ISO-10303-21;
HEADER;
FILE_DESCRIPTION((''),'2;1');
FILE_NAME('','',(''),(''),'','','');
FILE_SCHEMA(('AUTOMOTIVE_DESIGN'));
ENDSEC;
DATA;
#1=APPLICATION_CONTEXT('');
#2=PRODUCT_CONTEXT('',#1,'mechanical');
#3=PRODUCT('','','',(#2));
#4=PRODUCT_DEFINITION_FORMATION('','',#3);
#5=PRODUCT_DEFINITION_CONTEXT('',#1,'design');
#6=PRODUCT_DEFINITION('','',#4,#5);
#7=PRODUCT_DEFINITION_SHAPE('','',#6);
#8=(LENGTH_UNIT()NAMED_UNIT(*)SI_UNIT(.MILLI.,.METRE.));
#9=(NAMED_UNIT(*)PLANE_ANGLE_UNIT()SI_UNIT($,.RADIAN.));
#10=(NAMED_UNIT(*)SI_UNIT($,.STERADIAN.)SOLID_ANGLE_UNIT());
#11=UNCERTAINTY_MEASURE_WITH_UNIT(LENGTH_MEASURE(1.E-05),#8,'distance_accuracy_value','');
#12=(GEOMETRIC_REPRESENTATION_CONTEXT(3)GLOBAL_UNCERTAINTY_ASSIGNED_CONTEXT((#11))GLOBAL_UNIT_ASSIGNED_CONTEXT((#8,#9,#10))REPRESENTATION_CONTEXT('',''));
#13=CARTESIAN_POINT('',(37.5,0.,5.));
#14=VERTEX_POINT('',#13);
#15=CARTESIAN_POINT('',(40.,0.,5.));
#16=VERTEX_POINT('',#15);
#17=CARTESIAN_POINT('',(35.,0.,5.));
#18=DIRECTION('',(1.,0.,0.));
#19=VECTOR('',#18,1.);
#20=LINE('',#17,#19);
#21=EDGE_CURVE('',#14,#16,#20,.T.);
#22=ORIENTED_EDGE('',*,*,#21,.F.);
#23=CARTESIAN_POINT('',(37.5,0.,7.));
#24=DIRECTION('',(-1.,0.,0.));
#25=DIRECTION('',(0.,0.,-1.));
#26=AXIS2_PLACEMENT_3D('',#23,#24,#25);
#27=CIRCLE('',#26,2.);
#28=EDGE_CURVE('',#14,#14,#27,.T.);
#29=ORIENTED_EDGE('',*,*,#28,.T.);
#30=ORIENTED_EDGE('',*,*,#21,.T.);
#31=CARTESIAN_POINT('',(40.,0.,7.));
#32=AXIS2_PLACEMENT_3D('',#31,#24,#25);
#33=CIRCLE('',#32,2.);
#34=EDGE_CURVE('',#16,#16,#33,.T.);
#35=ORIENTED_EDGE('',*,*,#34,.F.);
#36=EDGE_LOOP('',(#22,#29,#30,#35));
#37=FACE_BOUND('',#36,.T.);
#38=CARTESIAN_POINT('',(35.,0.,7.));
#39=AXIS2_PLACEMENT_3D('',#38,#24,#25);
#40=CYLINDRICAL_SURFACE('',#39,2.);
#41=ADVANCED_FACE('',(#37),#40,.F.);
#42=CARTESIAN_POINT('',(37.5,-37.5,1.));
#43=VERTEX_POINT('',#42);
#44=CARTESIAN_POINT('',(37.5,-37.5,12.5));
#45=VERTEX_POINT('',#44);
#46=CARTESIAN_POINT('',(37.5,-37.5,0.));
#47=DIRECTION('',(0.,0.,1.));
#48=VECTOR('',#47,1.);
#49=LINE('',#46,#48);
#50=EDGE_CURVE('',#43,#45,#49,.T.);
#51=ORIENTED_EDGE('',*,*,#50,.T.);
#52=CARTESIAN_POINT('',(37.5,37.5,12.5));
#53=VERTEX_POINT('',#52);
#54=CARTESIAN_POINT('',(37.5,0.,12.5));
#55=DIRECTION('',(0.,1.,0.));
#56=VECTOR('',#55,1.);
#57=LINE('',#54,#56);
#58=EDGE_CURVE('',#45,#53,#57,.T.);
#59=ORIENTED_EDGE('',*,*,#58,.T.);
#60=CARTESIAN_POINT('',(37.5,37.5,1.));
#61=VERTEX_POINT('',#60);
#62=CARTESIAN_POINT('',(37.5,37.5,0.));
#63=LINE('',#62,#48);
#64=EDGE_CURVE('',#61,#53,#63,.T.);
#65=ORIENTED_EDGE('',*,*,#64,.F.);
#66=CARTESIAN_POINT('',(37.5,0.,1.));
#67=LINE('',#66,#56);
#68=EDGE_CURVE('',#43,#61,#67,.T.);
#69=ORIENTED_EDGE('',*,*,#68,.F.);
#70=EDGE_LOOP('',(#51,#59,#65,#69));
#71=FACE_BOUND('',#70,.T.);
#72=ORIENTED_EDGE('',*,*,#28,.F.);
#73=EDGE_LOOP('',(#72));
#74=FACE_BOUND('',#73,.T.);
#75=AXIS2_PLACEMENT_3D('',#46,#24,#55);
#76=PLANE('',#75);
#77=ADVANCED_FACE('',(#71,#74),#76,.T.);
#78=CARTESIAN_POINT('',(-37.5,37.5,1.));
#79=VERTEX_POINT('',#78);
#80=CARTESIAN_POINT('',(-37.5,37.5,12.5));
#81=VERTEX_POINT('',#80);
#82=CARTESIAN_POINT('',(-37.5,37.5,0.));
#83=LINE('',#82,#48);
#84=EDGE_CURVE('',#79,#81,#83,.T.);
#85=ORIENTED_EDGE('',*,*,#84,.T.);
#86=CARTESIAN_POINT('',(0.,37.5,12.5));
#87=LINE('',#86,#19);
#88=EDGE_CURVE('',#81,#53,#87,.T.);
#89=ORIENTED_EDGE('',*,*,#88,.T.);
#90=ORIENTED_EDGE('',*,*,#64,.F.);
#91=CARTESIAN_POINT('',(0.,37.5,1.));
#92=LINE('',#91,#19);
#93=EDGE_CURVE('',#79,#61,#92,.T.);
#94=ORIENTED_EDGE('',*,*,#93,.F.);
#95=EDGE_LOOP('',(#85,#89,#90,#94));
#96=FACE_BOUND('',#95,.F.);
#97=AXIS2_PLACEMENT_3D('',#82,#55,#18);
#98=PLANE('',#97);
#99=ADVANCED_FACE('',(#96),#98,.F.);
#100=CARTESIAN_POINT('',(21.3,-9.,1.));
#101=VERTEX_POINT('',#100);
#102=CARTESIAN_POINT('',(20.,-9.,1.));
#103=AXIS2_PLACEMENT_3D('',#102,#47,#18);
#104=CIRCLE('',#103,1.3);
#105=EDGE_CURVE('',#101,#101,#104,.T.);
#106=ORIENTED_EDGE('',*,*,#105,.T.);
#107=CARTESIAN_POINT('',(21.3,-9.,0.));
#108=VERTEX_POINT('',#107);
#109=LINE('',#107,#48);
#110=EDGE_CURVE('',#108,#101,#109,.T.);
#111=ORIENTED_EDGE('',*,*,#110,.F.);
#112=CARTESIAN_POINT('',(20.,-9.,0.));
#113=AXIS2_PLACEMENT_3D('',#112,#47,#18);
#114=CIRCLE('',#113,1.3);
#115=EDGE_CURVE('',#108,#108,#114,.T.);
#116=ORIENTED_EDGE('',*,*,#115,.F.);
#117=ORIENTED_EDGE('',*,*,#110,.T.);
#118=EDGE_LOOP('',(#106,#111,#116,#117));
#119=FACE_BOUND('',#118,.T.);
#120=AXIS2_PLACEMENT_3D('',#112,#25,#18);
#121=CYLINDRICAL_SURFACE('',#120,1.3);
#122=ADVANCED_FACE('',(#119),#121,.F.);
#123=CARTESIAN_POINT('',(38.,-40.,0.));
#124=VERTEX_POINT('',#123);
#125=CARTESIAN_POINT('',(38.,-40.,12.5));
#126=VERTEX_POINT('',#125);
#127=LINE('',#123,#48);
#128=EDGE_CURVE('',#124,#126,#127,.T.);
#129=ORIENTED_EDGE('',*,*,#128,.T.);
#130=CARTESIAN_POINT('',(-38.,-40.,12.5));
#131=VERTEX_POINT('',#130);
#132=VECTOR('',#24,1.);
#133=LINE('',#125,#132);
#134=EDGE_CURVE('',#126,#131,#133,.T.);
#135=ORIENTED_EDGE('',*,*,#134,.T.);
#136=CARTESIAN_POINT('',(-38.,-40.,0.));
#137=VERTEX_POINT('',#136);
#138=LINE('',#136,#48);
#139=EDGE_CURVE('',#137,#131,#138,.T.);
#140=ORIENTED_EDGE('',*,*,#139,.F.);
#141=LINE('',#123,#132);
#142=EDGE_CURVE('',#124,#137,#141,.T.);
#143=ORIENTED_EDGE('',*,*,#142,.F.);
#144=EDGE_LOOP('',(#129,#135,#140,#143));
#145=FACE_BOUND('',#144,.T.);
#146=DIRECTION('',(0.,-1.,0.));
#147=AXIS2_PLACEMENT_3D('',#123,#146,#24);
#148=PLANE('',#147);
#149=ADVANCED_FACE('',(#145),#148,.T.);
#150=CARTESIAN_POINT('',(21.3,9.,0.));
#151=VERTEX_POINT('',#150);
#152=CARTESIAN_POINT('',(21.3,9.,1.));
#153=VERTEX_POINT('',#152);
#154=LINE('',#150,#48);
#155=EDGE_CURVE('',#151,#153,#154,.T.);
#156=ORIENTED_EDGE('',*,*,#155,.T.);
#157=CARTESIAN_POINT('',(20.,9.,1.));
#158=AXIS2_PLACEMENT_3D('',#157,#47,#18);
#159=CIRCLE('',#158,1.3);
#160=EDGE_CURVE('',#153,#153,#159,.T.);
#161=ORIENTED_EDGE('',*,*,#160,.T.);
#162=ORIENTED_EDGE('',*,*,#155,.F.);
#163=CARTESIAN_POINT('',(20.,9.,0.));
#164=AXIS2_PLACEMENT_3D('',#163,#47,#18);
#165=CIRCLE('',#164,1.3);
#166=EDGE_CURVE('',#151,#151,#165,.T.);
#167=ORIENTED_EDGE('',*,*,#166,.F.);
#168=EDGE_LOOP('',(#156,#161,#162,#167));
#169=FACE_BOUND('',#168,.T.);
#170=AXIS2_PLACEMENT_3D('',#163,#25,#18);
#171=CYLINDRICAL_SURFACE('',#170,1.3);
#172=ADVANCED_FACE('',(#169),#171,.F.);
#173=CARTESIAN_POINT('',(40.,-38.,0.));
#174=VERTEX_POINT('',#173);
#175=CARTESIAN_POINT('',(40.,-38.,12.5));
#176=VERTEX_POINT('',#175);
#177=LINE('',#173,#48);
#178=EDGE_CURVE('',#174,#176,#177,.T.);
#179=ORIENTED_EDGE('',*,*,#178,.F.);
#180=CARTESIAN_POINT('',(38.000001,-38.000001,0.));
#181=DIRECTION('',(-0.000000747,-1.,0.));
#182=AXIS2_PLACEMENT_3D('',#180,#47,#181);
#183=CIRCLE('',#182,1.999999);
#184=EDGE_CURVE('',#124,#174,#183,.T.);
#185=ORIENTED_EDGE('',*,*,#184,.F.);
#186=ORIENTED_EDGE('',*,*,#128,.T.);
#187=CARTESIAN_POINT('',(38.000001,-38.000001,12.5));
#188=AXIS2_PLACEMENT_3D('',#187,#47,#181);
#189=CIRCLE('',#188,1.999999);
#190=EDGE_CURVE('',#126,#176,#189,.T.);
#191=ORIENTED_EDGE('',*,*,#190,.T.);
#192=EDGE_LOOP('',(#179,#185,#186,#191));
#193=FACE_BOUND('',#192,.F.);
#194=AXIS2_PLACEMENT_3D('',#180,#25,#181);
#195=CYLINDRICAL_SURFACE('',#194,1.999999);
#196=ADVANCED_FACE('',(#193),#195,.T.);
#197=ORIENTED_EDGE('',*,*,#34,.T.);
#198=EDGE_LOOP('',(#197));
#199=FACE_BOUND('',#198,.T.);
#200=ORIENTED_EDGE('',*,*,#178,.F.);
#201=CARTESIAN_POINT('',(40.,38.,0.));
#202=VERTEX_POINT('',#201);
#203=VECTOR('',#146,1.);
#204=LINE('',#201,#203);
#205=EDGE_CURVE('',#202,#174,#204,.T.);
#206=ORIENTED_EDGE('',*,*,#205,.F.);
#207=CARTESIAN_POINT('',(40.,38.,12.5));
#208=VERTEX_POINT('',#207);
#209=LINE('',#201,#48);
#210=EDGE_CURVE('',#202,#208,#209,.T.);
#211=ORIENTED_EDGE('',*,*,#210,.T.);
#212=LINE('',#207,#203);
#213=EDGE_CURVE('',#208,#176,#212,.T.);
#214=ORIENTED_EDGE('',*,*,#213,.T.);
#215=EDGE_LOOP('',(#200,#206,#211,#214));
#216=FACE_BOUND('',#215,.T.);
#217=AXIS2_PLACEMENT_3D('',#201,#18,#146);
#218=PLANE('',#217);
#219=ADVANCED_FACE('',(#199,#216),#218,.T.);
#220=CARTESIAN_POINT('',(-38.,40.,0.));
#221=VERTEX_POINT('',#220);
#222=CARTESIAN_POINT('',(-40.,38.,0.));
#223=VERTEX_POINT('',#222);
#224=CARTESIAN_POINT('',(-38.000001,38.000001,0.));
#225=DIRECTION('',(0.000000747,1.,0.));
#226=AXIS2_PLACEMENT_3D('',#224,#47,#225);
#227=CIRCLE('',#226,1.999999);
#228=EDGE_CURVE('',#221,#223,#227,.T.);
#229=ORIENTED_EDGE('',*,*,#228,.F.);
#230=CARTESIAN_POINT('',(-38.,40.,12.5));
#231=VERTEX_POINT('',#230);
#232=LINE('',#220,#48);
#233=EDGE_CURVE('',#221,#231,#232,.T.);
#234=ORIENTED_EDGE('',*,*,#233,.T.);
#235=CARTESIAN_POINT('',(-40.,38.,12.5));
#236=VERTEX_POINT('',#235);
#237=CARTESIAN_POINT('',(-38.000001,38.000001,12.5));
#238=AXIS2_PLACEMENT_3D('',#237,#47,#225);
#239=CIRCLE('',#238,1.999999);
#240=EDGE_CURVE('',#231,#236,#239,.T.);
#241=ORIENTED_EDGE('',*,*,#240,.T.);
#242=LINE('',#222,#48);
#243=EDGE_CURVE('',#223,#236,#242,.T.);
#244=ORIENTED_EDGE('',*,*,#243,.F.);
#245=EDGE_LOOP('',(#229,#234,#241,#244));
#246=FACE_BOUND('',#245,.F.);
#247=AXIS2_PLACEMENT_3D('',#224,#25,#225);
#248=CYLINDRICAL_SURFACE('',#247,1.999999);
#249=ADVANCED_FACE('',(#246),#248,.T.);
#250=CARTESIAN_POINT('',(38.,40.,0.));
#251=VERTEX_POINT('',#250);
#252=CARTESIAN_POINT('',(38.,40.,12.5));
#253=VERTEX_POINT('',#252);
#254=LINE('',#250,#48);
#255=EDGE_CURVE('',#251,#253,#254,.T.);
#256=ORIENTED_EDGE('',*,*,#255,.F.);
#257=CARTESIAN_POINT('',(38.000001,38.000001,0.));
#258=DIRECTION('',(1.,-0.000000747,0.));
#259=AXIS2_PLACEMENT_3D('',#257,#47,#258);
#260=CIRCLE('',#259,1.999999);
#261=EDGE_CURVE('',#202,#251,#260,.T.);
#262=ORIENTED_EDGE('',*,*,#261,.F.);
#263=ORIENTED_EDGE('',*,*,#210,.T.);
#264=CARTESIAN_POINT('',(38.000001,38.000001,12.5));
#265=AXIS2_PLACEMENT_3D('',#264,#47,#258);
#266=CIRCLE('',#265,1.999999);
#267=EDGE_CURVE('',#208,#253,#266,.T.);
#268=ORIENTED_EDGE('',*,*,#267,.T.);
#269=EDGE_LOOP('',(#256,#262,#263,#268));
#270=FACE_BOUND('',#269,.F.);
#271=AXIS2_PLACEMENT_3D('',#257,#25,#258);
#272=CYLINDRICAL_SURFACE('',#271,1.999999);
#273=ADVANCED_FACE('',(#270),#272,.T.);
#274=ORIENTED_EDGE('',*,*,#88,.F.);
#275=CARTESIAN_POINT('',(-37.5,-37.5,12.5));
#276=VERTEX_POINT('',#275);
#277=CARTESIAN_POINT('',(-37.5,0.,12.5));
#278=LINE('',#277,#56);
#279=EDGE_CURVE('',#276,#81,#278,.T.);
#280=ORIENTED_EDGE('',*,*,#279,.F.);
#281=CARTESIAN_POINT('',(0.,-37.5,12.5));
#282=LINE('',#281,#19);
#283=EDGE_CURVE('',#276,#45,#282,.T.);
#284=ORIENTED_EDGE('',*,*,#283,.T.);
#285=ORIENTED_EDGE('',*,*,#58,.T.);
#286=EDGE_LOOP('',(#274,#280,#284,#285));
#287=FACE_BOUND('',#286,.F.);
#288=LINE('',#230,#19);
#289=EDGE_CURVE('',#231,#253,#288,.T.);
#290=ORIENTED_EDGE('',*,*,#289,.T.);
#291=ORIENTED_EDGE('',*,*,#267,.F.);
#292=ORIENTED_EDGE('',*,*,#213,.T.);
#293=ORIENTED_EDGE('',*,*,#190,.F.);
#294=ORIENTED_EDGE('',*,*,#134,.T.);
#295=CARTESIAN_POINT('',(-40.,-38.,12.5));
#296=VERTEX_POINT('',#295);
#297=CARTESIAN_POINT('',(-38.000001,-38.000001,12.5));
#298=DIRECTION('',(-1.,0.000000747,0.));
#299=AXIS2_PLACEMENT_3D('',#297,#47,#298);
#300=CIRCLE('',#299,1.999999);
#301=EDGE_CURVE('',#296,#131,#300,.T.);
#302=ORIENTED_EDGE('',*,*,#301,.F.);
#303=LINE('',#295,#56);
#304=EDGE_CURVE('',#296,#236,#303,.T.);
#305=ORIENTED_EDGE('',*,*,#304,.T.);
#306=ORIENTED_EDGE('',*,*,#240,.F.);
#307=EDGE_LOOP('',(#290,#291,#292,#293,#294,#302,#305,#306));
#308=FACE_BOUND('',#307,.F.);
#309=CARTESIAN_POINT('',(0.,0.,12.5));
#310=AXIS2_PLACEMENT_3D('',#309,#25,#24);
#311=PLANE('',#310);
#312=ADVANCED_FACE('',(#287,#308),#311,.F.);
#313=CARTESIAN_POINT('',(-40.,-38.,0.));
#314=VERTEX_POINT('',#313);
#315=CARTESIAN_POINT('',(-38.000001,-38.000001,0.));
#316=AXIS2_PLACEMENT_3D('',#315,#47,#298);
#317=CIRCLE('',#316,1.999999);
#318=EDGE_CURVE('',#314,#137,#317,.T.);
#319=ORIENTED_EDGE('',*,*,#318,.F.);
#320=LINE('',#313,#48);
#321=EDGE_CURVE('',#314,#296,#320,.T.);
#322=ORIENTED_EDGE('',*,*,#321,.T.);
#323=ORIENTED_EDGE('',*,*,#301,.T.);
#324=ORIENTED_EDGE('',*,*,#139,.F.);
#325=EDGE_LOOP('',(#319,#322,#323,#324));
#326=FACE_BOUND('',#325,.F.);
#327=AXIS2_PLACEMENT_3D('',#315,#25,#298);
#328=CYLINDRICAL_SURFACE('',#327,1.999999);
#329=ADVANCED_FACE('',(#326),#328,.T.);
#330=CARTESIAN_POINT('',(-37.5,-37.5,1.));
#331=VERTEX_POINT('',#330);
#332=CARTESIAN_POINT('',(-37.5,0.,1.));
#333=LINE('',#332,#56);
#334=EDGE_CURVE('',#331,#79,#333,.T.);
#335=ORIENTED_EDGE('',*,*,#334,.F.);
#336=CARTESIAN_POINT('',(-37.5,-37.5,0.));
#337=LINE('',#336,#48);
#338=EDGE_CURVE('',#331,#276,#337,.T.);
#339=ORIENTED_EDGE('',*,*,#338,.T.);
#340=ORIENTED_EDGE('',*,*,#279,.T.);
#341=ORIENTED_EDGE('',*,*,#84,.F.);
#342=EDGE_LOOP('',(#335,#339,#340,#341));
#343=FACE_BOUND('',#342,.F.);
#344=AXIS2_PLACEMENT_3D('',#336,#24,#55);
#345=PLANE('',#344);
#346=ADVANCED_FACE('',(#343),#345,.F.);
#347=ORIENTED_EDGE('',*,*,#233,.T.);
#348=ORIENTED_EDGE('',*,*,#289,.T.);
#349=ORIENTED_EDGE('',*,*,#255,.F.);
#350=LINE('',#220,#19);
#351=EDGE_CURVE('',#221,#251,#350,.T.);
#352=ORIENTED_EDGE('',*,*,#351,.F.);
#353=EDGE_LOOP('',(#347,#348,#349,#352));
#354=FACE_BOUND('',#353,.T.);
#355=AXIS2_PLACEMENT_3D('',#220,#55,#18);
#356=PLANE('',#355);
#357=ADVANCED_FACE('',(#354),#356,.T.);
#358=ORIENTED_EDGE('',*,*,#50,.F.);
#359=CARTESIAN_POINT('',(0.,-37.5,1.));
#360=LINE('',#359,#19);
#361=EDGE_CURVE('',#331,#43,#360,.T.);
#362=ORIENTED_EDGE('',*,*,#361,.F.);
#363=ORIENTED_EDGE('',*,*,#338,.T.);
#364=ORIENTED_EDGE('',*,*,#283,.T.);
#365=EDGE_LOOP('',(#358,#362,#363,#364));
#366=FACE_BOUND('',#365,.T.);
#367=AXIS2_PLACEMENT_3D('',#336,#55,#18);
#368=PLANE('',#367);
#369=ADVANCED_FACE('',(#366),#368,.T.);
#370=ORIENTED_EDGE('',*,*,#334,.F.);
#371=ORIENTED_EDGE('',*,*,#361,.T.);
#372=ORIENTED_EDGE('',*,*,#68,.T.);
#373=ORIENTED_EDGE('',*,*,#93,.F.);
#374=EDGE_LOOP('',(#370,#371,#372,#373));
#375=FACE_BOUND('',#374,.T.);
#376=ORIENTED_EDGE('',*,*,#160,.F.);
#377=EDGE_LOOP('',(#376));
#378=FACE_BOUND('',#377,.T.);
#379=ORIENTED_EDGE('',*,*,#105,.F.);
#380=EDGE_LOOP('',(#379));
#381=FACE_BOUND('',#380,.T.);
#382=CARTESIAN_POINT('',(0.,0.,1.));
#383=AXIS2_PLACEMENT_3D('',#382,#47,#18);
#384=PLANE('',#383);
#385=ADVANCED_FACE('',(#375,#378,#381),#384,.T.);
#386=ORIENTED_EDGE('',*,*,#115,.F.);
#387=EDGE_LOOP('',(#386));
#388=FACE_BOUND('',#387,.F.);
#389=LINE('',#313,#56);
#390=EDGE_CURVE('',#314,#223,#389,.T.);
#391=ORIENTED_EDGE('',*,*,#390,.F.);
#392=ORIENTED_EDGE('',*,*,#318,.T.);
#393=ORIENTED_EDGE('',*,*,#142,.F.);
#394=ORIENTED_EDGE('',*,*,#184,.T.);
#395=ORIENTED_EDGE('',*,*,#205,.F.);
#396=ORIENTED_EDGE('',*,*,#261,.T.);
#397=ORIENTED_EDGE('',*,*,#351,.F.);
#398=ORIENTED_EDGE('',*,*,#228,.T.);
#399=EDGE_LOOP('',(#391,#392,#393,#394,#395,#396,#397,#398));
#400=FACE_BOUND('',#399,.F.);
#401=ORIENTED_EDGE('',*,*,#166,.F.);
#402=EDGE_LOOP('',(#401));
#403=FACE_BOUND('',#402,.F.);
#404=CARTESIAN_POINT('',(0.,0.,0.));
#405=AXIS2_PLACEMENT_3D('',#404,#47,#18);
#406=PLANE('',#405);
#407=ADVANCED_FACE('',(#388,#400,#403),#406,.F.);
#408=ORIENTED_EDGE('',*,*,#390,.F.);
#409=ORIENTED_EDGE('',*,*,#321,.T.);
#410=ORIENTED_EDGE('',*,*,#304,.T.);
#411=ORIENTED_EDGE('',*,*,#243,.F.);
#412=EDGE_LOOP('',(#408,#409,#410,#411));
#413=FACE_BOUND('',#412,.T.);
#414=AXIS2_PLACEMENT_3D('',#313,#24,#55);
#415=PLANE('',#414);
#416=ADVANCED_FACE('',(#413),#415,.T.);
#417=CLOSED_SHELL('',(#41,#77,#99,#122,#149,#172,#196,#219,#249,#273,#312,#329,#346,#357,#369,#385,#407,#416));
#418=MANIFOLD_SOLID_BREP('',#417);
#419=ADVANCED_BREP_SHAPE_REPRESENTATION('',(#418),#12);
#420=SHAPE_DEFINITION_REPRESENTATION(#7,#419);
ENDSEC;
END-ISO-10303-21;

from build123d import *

# Parameters (mm, degrees)
CYLINDER001_R     = 2
CYLINDER001_DEPTH = 10
SKETCH005_W       = 75
SKETCH005_H       = 75
SKETCH005_R       = 1.3
EXTRUDE005_DEPTH  = 1
SKETCH004_W       = 75
SKETCH004_H       = 75
EXTRUDE004_DEPTH  = 12.5


with BuildPart() as bohrung_solar_wanne:
    # Cylinder001 → Cylinder001 (new body)
    with BuildSketch(Plane(origin=(35, 0, 7), x_dir=(0, 0, -1), z_dir=(1, 0, 0))):
        Circle(CYLINDER001_R)
    extrude(amount=CYLINDER001_DEPTH)


with BuildPart() as solar_rahmen_boden:
    # Sketch005 → Extrude005 (new body)
    with BuildSketch(Plane.XY):
        Rectangle(SKETCH005_W, SKETCH005_H)
        with Locations((20, 9)):
            Circle(SKETCH005_R, mode=Mode.SUBTRACT)
        with Locations((20, -9)):
            Circle(SKETCH005_R, mode=Mode.SUBTRACT)
    extrude(amount=EXTRUDE005_DEPTH)


with BuildPart() as solar_wanne:
    # Sketch004 → Extrude004 (new body)
    with BuildSketch(Plane.XY):
        with BuildLine():
            Line((-38, 40), (38, 40))
            ThreePointArc((40, 38), (39.414214, 39.414214), (38, 40))
            Line((40, 38), (40, -38))
            ThreePointArc((38, -40), (39.414214, -39.414214), (40, -38))
            Line((38, -40), (-38, -40))
            ThreePointArc((-40, -38), (-39.414214, -39.414214), (-38, -40))
            Line((-40, -38), (-40, 38))
            ThreePointArc((-38, 40), (-39.414214, 39.414214), (-40, 38))
        make_face()
        Rectangle(SKETCH004_W, SKETCH004_H, mode=Mode.SUBTRACT)
    extrude(amount=EXTRUDE004_DEPTH)

    # Fusion002: union solar_rahmen_boden
    add(solar_rahmen_boden.part)

    # Cut001: cut bohrung_solar_wanne
    add(bohrung_solar_wanne.part, mode=Mode.SUBTRACT)


solid = solar_wanne.part
